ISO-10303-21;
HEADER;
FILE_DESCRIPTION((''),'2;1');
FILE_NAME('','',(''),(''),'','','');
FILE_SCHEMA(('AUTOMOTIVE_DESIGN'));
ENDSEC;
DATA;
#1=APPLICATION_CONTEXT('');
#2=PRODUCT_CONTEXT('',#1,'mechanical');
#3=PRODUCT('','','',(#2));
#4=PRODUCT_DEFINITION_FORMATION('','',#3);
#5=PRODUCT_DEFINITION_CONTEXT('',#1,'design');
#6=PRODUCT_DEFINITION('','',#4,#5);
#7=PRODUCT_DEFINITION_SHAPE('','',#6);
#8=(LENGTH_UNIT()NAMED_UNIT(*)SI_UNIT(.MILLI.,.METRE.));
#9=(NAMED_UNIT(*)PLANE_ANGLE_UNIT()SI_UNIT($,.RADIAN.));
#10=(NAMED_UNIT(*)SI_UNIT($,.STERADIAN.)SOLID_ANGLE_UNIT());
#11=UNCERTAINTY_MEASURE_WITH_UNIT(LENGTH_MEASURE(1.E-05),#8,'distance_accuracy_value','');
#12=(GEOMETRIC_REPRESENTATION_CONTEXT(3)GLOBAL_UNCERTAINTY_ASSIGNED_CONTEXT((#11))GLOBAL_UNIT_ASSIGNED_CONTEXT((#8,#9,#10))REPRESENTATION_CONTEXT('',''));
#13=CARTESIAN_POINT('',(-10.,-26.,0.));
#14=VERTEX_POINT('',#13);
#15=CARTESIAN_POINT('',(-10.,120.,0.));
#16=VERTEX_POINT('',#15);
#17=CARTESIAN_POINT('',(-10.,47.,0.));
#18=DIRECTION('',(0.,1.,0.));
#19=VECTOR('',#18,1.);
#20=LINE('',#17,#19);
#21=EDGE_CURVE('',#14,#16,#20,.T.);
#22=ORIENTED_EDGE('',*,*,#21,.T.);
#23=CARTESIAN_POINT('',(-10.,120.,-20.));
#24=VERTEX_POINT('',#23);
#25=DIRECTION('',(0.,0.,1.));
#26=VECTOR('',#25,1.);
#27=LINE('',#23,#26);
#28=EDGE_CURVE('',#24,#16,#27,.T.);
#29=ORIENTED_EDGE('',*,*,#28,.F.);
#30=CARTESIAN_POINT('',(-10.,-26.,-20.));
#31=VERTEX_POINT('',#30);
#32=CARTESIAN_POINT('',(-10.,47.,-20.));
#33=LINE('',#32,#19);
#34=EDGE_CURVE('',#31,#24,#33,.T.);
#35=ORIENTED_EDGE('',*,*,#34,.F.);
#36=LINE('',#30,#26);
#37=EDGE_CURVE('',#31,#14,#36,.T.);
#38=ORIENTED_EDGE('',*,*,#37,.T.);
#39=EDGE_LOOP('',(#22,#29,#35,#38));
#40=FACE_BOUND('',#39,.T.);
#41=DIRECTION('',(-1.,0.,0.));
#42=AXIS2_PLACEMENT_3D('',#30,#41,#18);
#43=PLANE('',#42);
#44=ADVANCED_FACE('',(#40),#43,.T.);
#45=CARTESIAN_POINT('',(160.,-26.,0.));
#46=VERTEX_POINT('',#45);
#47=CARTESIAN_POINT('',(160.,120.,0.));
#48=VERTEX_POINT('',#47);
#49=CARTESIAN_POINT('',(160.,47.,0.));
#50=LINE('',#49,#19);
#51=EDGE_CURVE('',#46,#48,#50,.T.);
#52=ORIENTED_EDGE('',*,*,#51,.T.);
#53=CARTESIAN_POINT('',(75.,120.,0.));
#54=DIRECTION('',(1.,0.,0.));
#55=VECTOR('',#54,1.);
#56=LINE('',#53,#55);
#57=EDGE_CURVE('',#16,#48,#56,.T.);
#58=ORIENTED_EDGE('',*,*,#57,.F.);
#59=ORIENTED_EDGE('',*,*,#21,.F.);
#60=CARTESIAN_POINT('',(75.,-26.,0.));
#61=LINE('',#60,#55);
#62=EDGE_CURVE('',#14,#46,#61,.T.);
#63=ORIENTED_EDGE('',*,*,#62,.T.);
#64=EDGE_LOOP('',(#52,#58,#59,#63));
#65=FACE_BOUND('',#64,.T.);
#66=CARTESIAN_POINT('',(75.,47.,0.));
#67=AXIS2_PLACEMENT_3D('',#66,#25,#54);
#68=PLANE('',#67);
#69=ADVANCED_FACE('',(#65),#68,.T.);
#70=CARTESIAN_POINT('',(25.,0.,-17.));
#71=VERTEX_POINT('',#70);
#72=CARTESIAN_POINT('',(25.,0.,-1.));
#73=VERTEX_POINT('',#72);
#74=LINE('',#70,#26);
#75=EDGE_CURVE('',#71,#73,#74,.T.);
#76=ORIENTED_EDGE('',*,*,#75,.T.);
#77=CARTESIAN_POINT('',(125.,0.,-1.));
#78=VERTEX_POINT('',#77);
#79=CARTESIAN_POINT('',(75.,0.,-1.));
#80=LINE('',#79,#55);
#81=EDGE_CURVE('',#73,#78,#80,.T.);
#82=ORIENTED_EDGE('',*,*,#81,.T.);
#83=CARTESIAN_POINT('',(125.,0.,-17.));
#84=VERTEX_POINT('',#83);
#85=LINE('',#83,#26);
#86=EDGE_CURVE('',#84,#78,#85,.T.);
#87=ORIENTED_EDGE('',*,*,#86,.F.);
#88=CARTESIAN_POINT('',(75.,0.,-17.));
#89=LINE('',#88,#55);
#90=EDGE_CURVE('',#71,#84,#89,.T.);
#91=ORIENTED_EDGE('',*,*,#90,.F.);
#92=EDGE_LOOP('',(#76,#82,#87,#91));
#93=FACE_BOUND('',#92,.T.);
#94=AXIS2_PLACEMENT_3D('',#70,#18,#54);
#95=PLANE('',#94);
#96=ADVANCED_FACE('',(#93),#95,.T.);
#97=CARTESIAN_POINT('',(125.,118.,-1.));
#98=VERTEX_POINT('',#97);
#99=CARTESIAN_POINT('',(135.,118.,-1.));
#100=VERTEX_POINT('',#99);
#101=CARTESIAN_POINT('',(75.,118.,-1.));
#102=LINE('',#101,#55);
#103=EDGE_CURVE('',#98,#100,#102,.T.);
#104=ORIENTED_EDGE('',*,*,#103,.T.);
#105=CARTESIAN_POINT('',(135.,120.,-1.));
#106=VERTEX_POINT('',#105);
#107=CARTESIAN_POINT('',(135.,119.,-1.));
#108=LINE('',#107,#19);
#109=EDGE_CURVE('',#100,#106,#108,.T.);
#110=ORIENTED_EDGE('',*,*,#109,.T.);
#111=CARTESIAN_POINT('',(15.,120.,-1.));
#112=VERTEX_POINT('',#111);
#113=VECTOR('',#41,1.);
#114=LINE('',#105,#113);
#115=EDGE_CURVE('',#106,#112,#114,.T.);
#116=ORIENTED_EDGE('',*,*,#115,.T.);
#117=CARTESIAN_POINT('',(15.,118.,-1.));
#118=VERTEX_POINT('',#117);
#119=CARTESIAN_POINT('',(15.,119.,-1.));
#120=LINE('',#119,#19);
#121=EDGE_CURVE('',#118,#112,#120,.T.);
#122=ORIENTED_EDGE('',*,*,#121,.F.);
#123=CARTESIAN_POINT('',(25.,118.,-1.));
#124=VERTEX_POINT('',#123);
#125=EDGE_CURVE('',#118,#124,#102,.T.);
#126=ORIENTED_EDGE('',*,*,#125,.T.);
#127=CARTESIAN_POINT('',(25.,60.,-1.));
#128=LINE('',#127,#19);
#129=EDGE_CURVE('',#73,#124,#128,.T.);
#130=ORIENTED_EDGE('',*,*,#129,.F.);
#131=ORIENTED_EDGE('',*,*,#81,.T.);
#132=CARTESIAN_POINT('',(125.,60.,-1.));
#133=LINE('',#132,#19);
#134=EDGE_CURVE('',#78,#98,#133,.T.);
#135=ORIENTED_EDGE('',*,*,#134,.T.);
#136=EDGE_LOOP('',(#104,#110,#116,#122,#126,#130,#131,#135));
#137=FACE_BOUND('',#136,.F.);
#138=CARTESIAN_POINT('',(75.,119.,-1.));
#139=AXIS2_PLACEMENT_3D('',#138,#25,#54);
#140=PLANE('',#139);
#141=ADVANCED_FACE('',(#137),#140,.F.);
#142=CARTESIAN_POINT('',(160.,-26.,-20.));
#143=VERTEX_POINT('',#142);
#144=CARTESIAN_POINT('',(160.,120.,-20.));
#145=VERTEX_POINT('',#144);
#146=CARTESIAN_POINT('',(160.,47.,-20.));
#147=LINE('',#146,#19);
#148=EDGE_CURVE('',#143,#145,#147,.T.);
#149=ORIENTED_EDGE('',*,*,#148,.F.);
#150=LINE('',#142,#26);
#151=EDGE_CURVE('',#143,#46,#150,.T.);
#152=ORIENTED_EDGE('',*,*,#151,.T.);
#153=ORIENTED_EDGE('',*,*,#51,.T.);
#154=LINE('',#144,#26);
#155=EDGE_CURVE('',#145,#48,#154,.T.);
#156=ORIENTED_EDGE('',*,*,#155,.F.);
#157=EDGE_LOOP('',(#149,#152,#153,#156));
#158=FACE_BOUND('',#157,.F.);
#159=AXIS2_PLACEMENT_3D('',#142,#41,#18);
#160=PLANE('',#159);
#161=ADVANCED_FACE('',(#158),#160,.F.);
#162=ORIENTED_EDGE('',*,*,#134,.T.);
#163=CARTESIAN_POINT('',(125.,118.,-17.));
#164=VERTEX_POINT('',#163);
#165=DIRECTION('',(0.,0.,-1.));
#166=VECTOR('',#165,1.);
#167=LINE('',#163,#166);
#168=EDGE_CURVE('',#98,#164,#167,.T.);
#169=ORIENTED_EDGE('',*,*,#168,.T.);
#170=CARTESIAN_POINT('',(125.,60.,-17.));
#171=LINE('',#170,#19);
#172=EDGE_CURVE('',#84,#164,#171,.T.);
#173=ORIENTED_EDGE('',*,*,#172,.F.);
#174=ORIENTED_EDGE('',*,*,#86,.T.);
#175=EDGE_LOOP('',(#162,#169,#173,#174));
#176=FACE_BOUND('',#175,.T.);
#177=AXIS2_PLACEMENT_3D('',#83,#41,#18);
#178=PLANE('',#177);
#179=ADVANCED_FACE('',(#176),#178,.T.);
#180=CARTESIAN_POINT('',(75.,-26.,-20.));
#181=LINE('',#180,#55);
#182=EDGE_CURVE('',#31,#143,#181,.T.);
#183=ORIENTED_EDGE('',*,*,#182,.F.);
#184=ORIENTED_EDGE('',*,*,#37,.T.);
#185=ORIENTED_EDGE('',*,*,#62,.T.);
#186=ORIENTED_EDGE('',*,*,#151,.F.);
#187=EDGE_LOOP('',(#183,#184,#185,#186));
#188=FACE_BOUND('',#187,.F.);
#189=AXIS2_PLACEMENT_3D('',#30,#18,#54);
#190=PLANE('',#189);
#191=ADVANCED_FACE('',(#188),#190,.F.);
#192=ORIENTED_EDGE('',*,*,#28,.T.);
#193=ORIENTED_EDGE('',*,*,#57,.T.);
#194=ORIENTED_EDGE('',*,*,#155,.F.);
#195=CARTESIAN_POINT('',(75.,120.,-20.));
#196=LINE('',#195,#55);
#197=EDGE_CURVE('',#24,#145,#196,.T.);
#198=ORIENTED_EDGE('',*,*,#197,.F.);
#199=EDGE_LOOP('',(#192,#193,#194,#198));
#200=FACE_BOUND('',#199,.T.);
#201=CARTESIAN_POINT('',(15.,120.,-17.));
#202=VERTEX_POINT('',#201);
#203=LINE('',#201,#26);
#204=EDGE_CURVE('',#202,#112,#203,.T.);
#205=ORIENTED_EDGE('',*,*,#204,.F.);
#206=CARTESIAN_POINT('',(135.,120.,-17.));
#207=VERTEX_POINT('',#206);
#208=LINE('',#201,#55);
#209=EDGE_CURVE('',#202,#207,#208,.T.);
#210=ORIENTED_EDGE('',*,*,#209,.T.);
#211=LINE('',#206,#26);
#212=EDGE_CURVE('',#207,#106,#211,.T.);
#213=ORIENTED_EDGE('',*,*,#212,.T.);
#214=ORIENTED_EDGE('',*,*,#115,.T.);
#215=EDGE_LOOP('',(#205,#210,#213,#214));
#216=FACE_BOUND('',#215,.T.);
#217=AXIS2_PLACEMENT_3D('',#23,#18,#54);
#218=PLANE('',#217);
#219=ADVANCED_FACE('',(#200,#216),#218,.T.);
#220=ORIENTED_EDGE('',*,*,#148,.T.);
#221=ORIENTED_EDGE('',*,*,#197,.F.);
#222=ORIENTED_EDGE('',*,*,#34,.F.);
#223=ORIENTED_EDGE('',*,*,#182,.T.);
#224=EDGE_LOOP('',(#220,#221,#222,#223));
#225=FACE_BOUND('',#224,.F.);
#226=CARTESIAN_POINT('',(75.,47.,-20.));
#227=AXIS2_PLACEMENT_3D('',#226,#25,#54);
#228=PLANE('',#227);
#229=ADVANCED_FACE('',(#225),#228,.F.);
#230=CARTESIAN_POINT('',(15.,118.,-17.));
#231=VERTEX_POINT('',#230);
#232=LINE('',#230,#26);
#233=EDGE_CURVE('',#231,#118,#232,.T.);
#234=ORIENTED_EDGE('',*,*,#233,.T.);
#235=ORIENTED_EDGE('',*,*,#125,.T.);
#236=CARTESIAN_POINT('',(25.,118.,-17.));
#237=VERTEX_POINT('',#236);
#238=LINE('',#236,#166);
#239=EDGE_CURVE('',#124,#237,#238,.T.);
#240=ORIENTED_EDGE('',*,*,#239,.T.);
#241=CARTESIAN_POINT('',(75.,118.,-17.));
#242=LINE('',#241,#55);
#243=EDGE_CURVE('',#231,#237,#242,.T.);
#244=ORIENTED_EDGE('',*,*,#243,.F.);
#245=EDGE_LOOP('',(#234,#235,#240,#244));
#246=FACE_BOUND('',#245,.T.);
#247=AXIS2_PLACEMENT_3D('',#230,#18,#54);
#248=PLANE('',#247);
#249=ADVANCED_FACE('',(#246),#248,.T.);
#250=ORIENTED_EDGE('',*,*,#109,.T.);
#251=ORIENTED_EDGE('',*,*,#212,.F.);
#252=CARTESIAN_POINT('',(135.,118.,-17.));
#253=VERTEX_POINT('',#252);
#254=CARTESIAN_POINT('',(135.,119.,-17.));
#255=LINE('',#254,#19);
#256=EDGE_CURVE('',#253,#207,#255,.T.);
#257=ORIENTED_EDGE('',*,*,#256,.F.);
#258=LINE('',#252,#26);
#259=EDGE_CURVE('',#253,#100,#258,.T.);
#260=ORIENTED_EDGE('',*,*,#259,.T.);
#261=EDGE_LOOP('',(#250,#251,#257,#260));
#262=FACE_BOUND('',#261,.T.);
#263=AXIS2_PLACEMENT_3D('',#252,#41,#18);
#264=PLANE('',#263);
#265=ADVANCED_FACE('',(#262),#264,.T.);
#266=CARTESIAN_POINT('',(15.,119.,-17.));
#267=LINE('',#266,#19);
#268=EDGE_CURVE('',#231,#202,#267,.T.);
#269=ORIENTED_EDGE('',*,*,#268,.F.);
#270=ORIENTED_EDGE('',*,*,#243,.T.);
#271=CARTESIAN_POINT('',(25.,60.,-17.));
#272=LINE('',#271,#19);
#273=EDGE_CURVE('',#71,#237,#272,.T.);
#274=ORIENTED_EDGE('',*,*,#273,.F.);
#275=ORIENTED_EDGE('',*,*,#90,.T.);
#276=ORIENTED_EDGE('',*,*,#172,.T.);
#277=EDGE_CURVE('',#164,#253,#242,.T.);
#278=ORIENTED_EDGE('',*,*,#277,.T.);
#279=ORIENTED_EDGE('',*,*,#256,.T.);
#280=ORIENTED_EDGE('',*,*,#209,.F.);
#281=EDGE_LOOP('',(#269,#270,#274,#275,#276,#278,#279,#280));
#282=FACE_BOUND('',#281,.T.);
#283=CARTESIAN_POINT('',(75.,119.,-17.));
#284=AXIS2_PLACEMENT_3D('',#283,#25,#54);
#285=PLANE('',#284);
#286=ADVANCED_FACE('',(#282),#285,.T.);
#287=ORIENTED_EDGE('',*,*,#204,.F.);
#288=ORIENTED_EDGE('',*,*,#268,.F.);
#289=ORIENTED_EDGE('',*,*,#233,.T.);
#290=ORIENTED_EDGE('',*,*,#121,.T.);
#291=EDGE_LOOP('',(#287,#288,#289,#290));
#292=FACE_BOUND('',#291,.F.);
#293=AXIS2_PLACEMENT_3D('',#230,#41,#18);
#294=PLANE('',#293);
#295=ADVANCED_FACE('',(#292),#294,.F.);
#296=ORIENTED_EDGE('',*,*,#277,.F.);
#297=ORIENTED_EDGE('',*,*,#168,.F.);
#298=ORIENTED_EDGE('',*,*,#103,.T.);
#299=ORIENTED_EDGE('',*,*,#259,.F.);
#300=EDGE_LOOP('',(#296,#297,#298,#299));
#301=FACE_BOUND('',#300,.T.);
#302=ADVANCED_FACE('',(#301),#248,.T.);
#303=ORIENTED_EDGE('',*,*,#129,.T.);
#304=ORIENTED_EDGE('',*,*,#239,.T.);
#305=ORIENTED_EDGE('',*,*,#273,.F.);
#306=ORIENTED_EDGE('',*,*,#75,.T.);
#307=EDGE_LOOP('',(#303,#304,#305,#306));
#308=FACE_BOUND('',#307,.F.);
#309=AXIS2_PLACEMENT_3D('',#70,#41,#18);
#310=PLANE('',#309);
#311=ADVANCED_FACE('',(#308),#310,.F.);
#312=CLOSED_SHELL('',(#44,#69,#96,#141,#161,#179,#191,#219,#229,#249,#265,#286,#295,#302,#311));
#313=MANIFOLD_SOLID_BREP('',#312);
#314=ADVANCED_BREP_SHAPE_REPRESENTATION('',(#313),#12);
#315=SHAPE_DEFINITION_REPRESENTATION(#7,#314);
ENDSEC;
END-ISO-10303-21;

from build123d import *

# Parameters (mm, degrees)
BOX011_W     = 120
BOX011_H     = 2
BOX011_DEPTH = 16
BOX010_W     = 100
BOX010_H     = 120
BOX010_DEPTH = 16
BOX_W        = 170
BOX_H        = 146
BOX_DEPTH    = 20


with BuildPart() as cube002:
    # Box011 → Box011 (new body)
    with BuildSketch(Plane(origin=(15, 118, -17), x_dir=(1, 0, 0), z_dir=(0, 0, 1))):
        with Locations((60, 1)):
            Rectangle(BOX011_W, BOX011_H)
    extrude(amount=BOX011_DEPTH)


with BuildPart() as cube001:
    # Box010 → Box010 (new body)
    with BuildSketch(Plane(origin=(25, 0, -17), x_dir=(1, 0, 0), z_dir=(0, 0, 1))):
        with Locations((50, 60)):
            Rectangle(BOX010_W, BOX010_H)
    extrude(amount=BOX010_DEPTH)


with BuildPart() as cut004005:
    # Box → Box (new body)
    with BuildSketch(Plane(origin=(-10, -26, -20), x_dir=(1, 0, 0), z_dir=(0, 0, 1))):
        with Locations((85, 73)):
            Rectangle(BOX_W, BOX_H)
    extrude(amount=BOX_DEPTH)

    # Cut004004: cut Cube001
    add(cube001.part, mode=Mode.SUBTRACT)

    # Cut004005: cut Cube002
    add(cube002.part, mode=Mode.SUBTRACT)


solid = cut004005.part
